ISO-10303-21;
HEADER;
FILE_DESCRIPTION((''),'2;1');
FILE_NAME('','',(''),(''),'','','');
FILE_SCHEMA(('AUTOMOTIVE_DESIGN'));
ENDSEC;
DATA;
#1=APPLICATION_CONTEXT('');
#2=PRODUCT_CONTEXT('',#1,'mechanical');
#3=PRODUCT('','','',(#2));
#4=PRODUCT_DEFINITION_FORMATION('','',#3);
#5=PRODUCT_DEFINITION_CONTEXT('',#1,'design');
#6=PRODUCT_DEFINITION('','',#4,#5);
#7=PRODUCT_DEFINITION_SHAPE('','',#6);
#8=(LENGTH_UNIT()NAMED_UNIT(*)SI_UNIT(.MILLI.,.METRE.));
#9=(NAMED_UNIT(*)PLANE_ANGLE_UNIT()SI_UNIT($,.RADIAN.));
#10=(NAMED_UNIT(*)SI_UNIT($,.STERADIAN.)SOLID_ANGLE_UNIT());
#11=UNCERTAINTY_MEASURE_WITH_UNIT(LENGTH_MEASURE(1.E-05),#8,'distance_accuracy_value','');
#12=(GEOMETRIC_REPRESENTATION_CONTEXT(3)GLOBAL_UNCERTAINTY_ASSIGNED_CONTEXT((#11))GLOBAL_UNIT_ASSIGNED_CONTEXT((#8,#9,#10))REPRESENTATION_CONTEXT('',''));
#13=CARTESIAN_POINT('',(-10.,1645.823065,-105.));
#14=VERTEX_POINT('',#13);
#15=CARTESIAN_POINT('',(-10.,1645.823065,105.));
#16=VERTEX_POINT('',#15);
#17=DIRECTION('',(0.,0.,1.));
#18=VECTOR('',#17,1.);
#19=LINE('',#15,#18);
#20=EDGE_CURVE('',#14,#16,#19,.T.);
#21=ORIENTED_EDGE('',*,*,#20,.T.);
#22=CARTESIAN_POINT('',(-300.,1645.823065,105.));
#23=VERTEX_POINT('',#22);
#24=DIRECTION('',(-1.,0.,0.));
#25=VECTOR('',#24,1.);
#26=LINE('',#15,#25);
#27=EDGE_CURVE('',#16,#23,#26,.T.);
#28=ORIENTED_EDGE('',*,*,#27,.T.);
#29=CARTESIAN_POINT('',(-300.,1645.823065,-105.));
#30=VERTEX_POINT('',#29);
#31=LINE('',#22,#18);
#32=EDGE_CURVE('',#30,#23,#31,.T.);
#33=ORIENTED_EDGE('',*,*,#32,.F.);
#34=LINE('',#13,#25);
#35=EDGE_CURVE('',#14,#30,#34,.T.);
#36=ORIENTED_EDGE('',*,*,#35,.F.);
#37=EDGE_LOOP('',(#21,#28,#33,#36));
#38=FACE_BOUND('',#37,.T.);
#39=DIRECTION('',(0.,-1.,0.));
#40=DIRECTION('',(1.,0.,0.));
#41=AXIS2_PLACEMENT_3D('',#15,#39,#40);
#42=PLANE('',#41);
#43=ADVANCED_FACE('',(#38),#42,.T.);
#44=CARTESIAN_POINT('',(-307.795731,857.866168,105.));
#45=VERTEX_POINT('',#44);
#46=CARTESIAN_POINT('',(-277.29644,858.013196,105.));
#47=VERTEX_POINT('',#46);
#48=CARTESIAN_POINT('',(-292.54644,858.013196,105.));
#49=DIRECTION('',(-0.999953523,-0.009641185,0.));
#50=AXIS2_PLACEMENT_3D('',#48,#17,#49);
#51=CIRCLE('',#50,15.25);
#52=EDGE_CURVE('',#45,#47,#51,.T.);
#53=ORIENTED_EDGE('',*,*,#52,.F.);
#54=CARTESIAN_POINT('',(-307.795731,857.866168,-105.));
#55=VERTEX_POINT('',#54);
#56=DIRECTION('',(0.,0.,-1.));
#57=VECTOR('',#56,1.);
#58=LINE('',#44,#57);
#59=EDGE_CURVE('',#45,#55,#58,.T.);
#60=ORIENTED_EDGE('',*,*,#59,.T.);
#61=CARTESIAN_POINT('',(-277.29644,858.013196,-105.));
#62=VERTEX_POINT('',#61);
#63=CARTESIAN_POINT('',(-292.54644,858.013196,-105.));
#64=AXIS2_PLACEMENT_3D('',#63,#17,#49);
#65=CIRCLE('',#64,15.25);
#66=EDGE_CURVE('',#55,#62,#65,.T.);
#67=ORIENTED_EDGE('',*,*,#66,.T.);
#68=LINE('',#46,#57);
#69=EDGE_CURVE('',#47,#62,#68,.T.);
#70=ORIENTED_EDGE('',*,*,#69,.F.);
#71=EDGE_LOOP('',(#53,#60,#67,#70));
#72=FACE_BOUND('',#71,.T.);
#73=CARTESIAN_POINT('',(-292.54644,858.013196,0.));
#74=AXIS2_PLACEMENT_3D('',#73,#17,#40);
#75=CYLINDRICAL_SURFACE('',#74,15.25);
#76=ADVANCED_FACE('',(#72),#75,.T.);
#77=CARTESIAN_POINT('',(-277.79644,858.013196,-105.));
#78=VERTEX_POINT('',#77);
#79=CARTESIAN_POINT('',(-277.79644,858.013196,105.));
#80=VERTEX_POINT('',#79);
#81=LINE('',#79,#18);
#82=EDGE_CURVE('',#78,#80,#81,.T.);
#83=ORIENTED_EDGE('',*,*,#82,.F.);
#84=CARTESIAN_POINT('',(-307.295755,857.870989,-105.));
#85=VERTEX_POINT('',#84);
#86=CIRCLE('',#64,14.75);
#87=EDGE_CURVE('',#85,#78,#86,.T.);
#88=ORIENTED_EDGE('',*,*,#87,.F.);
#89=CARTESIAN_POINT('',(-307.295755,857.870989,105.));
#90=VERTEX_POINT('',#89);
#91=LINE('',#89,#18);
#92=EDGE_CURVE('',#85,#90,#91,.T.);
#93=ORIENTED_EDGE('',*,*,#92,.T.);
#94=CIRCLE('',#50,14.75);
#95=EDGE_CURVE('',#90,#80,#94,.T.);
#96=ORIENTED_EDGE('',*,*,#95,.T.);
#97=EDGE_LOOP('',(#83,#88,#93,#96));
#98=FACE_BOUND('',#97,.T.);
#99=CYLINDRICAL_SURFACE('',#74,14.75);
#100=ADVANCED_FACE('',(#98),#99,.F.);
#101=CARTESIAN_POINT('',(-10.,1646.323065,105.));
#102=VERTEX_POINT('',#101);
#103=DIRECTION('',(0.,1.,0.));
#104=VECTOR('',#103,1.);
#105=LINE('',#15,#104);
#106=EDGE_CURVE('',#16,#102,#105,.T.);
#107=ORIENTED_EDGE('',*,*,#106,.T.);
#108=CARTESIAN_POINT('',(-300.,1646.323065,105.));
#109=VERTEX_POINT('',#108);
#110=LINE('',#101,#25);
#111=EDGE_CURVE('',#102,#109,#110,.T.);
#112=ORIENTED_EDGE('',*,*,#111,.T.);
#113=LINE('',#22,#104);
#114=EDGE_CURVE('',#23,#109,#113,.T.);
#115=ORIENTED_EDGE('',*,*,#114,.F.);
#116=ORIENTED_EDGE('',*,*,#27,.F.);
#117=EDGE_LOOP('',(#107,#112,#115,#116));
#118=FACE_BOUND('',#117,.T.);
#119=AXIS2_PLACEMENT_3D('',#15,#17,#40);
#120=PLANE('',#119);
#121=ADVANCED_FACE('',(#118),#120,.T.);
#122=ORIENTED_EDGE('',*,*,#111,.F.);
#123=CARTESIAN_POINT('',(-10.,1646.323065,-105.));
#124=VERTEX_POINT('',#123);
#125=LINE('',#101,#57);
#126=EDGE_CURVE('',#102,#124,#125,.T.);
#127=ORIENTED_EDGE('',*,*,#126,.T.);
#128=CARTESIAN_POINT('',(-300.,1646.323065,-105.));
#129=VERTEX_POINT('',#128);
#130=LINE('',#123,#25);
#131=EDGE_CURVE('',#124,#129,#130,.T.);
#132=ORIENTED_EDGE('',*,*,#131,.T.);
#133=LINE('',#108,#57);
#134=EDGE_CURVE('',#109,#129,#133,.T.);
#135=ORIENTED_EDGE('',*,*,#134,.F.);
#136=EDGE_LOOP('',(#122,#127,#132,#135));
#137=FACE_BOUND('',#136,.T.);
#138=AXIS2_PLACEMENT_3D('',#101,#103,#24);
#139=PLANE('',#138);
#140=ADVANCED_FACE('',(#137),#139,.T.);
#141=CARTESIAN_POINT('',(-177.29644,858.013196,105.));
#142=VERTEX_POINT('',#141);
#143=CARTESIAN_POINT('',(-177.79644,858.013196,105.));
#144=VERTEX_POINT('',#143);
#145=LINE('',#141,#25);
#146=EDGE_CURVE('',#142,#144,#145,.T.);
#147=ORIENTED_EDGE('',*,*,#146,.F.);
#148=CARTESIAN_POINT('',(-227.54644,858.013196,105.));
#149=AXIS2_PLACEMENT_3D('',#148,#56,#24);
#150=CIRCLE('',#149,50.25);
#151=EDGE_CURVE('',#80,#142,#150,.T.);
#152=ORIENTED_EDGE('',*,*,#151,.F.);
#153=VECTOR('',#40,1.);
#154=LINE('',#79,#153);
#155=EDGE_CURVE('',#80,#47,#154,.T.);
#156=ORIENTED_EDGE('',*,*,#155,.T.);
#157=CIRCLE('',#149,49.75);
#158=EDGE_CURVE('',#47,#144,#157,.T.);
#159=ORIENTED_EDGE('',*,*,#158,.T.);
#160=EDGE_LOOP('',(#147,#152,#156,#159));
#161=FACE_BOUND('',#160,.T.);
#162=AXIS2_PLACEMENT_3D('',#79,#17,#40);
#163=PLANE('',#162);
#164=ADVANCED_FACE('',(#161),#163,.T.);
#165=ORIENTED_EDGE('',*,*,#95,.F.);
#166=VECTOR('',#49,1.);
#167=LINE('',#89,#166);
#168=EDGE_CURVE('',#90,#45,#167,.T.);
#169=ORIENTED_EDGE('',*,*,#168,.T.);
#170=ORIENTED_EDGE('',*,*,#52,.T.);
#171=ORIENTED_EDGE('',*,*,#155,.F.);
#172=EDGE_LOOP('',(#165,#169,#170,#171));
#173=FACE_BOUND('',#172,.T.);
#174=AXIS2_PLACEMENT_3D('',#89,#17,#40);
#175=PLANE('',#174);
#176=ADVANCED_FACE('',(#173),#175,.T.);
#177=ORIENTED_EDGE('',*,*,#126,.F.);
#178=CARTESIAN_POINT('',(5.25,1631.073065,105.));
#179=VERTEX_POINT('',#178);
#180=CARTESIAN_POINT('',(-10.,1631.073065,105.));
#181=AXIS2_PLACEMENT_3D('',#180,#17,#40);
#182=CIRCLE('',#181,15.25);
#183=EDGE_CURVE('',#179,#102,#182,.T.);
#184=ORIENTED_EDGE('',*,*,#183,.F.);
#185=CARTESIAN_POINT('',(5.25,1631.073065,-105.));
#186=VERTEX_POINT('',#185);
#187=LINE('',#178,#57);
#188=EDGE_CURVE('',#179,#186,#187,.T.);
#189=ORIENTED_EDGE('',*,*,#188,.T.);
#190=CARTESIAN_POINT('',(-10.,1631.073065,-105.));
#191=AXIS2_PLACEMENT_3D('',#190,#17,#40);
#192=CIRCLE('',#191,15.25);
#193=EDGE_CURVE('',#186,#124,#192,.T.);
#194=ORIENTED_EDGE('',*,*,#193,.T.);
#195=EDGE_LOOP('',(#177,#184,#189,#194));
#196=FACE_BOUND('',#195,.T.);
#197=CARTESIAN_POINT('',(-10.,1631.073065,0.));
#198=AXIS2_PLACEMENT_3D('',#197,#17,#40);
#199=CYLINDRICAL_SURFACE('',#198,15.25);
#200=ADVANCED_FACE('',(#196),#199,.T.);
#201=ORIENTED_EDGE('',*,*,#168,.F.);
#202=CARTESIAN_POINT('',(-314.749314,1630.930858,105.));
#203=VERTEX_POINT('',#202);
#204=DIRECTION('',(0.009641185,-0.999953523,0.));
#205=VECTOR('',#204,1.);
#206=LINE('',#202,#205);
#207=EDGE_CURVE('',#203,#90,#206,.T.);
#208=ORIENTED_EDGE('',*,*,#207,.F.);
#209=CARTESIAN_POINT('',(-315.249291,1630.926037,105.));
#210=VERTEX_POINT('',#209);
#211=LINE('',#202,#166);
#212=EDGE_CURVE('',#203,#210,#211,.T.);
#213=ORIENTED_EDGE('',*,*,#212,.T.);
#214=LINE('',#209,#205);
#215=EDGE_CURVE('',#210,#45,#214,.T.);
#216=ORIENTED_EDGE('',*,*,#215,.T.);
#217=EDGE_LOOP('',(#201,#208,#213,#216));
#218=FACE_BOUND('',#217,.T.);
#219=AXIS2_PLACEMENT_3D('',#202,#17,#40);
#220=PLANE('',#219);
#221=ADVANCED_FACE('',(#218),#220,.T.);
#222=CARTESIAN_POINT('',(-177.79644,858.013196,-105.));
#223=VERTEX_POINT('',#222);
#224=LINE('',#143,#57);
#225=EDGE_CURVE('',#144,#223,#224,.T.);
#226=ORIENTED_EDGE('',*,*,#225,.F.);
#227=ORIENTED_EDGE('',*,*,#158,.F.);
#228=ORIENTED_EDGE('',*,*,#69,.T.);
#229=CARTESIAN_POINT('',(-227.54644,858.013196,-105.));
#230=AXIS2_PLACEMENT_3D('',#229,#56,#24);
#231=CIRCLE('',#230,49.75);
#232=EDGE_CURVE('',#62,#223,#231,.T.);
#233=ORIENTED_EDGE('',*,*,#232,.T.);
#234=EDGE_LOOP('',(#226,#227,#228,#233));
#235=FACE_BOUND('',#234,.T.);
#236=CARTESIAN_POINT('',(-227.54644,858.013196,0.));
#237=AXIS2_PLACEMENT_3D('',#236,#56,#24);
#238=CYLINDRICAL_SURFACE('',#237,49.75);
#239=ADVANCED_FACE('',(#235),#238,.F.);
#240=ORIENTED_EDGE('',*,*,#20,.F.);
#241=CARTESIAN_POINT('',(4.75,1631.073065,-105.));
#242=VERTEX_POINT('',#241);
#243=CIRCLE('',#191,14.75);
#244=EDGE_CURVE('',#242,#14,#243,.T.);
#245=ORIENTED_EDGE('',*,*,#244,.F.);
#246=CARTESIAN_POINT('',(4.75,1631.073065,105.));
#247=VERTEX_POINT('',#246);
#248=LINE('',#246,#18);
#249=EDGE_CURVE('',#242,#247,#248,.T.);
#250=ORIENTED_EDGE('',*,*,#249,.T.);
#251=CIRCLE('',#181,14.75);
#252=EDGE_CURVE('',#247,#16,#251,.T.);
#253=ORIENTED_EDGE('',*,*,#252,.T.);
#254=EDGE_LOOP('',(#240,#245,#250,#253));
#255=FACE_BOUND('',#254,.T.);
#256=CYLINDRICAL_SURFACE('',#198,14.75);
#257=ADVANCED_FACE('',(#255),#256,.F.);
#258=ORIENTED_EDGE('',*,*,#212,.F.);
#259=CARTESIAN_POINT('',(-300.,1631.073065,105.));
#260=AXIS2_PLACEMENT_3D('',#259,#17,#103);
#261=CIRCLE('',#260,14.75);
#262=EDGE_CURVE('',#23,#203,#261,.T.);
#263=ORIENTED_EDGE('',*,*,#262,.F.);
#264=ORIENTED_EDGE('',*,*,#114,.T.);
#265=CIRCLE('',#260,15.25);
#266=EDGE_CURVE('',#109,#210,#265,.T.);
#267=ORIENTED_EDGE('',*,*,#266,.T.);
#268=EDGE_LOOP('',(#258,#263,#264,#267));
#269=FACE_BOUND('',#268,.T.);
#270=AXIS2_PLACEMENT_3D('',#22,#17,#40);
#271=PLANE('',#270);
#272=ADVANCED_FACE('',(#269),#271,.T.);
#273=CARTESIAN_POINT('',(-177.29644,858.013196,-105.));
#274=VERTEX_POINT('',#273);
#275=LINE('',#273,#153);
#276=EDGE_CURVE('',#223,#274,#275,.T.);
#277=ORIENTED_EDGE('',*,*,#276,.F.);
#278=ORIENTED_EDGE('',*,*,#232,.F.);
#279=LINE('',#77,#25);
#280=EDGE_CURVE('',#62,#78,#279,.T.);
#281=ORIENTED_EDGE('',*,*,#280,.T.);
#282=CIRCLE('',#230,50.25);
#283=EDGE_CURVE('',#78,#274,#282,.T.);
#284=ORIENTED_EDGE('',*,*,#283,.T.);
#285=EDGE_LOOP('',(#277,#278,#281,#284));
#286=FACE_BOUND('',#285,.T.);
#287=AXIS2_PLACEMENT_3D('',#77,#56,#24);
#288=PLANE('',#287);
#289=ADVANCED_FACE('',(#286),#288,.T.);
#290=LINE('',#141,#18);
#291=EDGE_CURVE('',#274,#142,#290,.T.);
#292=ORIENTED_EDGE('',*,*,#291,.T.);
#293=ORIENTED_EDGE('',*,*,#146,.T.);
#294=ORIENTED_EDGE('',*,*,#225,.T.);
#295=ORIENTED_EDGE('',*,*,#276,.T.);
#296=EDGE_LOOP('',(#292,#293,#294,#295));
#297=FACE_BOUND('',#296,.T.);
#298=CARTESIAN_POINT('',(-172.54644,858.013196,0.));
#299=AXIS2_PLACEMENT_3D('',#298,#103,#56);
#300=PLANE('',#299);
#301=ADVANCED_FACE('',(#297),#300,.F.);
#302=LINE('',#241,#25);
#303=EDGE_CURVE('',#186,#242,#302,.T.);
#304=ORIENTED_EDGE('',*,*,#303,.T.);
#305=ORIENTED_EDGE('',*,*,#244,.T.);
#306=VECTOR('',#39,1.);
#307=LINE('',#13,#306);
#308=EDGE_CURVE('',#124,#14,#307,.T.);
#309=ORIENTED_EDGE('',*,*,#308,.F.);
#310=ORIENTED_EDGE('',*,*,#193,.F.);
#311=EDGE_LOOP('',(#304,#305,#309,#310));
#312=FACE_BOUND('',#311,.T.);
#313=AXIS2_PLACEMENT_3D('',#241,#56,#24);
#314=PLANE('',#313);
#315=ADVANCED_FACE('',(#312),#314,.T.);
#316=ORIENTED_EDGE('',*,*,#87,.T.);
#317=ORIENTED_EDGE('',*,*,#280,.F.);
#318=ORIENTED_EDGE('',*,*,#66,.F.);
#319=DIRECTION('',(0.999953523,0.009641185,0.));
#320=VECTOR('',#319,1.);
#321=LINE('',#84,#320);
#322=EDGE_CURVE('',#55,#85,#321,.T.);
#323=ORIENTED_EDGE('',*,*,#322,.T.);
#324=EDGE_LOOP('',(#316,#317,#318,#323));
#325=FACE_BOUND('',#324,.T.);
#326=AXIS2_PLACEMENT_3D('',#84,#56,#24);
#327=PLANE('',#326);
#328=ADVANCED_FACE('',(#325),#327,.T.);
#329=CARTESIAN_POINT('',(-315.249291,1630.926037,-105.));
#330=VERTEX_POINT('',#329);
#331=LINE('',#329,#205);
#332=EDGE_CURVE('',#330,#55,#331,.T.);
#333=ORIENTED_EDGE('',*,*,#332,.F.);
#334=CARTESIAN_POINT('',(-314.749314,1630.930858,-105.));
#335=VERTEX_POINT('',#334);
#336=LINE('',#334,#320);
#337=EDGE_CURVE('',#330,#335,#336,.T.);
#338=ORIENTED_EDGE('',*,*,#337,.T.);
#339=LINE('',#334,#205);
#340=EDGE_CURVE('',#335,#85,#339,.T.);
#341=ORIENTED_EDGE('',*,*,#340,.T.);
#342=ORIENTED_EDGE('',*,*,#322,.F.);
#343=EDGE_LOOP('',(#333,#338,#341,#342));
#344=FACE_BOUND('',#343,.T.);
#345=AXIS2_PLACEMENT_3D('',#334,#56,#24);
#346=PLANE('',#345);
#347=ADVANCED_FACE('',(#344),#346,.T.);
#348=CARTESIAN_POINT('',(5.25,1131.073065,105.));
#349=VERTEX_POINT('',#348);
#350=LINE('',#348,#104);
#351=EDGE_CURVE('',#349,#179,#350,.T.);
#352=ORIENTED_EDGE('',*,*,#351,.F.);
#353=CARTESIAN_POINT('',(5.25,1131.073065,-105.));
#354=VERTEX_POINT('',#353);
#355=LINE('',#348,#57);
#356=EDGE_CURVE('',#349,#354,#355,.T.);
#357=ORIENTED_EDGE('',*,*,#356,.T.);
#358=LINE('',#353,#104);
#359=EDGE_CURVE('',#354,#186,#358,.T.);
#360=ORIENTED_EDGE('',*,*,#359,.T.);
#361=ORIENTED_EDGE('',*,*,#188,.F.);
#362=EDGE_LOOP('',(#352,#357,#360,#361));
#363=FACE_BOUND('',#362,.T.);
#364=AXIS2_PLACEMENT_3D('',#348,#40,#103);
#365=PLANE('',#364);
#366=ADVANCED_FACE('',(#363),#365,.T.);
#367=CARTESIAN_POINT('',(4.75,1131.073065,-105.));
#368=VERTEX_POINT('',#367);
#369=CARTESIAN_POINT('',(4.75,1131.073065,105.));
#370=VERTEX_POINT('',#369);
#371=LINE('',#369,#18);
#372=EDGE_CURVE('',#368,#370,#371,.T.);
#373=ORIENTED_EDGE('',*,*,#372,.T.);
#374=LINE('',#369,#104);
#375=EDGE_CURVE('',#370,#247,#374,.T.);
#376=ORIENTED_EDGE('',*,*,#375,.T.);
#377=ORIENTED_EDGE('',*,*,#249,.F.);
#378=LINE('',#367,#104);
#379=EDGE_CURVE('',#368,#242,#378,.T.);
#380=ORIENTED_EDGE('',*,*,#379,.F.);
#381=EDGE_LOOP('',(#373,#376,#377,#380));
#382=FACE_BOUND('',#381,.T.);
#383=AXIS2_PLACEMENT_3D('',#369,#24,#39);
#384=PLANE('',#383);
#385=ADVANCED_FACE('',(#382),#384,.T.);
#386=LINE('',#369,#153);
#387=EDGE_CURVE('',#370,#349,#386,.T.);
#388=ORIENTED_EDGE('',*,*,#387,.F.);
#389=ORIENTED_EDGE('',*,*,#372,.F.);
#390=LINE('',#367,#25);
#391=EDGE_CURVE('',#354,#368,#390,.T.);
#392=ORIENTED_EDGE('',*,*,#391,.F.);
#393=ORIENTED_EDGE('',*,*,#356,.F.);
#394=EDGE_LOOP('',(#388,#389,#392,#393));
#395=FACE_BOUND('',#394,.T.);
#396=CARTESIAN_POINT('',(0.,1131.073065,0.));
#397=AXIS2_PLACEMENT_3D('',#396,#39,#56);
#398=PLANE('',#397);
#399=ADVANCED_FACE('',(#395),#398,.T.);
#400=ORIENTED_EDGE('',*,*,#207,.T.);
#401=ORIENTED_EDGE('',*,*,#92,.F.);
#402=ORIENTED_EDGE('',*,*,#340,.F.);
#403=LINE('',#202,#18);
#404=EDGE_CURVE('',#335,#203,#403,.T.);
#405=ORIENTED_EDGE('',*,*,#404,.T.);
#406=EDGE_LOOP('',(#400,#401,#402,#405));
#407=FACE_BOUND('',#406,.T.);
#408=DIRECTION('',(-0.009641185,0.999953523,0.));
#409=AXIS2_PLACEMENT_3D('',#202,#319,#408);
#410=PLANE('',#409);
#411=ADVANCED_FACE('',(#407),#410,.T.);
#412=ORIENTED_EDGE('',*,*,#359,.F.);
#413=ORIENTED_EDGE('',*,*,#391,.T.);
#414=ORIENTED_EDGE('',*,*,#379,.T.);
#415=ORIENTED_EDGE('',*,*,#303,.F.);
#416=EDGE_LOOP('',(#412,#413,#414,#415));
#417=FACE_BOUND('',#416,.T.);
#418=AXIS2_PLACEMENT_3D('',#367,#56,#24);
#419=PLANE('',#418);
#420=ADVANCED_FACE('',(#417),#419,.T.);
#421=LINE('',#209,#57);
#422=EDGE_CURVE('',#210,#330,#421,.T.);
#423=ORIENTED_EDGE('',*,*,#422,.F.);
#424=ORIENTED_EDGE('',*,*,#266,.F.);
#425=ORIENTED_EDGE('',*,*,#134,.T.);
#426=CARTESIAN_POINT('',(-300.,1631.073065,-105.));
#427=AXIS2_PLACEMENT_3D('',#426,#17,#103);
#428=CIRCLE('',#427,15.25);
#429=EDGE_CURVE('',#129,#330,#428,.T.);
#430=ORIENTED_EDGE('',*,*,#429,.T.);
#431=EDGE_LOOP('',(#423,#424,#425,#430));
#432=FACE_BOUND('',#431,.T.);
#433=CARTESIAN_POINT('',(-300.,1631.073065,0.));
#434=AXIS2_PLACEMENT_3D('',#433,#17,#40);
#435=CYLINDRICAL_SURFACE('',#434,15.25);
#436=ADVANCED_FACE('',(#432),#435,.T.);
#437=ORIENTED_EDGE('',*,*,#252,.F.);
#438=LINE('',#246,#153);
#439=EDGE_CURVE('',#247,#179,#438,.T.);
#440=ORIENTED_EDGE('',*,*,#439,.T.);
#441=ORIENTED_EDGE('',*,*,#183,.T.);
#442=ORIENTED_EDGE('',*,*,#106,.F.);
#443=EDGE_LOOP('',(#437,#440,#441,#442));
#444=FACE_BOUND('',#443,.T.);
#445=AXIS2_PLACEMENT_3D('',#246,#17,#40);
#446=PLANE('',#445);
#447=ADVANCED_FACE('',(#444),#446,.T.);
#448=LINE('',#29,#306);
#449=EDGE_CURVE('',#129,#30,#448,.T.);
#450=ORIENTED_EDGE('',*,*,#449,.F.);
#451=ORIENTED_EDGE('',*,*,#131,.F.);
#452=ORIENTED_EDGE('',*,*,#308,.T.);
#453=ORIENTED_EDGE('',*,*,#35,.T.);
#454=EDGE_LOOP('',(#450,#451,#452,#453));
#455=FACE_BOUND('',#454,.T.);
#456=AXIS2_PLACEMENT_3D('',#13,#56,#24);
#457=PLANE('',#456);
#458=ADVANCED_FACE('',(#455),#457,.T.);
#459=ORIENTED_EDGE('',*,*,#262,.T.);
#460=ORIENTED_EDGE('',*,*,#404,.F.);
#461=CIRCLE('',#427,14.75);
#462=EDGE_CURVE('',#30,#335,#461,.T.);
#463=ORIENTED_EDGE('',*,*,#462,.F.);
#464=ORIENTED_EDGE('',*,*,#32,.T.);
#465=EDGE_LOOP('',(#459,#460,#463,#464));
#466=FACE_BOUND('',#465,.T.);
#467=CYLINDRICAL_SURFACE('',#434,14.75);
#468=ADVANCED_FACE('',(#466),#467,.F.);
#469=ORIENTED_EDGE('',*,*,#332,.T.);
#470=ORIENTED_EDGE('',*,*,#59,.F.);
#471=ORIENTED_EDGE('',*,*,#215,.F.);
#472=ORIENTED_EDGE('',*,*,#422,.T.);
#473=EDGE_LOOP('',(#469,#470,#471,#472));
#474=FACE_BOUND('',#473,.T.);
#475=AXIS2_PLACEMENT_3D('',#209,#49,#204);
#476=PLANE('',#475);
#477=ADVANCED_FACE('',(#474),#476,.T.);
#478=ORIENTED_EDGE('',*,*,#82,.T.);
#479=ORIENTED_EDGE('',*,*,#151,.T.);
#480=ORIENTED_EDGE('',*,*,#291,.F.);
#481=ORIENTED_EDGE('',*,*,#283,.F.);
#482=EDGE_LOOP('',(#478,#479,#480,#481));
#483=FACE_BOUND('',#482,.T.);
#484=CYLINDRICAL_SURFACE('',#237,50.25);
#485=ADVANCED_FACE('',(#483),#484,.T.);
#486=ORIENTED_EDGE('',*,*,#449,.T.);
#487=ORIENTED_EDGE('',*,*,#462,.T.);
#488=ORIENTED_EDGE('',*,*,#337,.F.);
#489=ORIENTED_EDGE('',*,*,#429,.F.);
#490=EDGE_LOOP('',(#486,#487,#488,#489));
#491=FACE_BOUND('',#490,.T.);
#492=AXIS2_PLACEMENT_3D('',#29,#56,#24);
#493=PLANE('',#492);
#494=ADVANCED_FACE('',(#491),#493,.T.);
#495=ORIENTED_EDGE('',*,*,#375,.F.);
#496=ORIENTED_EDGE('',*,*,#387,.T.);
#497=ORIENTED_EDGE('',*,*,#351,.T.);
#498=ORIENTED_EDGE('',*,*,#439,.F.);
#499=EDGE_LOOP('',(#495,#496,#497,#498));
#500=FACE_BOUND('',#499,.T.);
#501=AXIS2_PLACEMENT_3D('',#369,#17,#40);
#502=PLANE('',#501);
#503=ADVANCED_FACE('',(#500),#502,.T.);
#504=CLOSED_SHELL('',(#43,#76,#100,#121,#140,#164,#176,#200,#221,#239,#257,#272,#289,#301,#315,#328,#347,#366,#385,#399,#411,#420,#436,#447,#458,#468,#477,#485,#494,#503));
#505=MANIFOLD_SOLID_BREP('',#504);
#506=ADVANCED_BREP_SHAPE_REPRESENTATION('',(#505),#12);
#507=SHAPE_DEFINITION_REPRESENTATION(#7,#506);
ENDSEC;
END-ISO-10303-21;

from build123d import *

# Parameters (mm, degrees)
SKETCH2_W = 0.5
SKETCH2_H = 210


with BuildPart() as part:
    # Sweep1: sweep along a path in Sketch1
    with BuildLine(Plane.XY) as sweep1_path:
        Line((5, 1131.07306524), (5, 1631.07306524))
        ThreePointArc((5, 1631.07306524), (0.606601718, 1641.679666958), (-10, 1646.07306524))
        Line((-10, 1646.07306524), (-300, 1646.07306524))
        ThreePointArc((-300, 1646.07306524), (-310.657609176, 1641.628413015), (-314.99930284, 1630.928447459))
        Line((-314.99930284, 1630.928447459), (-307.545742915, 857.868578543))
        ThreePointArc((-307.545742915, 857.868578543), (-292.474130344, 843.013370614), (-277.546440075, 858.013196323))
        ThreePointArc((-277.546440075, 858.013196323), (-227.546440075, 908.013196323), (-177.546440075, 858.013196323))
    # Sketch2 → Sweep1 (sweep)
    with BuildSketch(Plane(origin=(0, 1131.07306524, 0), x_dir=(1, 0, 0), z_dir=(0, 1, 0))):
        with Locations((5, 0)):
            Rectangle(SKETCH2_W, SKETCH2_H)
    sweep(path=sweep1_path.line)


solid = part.part
